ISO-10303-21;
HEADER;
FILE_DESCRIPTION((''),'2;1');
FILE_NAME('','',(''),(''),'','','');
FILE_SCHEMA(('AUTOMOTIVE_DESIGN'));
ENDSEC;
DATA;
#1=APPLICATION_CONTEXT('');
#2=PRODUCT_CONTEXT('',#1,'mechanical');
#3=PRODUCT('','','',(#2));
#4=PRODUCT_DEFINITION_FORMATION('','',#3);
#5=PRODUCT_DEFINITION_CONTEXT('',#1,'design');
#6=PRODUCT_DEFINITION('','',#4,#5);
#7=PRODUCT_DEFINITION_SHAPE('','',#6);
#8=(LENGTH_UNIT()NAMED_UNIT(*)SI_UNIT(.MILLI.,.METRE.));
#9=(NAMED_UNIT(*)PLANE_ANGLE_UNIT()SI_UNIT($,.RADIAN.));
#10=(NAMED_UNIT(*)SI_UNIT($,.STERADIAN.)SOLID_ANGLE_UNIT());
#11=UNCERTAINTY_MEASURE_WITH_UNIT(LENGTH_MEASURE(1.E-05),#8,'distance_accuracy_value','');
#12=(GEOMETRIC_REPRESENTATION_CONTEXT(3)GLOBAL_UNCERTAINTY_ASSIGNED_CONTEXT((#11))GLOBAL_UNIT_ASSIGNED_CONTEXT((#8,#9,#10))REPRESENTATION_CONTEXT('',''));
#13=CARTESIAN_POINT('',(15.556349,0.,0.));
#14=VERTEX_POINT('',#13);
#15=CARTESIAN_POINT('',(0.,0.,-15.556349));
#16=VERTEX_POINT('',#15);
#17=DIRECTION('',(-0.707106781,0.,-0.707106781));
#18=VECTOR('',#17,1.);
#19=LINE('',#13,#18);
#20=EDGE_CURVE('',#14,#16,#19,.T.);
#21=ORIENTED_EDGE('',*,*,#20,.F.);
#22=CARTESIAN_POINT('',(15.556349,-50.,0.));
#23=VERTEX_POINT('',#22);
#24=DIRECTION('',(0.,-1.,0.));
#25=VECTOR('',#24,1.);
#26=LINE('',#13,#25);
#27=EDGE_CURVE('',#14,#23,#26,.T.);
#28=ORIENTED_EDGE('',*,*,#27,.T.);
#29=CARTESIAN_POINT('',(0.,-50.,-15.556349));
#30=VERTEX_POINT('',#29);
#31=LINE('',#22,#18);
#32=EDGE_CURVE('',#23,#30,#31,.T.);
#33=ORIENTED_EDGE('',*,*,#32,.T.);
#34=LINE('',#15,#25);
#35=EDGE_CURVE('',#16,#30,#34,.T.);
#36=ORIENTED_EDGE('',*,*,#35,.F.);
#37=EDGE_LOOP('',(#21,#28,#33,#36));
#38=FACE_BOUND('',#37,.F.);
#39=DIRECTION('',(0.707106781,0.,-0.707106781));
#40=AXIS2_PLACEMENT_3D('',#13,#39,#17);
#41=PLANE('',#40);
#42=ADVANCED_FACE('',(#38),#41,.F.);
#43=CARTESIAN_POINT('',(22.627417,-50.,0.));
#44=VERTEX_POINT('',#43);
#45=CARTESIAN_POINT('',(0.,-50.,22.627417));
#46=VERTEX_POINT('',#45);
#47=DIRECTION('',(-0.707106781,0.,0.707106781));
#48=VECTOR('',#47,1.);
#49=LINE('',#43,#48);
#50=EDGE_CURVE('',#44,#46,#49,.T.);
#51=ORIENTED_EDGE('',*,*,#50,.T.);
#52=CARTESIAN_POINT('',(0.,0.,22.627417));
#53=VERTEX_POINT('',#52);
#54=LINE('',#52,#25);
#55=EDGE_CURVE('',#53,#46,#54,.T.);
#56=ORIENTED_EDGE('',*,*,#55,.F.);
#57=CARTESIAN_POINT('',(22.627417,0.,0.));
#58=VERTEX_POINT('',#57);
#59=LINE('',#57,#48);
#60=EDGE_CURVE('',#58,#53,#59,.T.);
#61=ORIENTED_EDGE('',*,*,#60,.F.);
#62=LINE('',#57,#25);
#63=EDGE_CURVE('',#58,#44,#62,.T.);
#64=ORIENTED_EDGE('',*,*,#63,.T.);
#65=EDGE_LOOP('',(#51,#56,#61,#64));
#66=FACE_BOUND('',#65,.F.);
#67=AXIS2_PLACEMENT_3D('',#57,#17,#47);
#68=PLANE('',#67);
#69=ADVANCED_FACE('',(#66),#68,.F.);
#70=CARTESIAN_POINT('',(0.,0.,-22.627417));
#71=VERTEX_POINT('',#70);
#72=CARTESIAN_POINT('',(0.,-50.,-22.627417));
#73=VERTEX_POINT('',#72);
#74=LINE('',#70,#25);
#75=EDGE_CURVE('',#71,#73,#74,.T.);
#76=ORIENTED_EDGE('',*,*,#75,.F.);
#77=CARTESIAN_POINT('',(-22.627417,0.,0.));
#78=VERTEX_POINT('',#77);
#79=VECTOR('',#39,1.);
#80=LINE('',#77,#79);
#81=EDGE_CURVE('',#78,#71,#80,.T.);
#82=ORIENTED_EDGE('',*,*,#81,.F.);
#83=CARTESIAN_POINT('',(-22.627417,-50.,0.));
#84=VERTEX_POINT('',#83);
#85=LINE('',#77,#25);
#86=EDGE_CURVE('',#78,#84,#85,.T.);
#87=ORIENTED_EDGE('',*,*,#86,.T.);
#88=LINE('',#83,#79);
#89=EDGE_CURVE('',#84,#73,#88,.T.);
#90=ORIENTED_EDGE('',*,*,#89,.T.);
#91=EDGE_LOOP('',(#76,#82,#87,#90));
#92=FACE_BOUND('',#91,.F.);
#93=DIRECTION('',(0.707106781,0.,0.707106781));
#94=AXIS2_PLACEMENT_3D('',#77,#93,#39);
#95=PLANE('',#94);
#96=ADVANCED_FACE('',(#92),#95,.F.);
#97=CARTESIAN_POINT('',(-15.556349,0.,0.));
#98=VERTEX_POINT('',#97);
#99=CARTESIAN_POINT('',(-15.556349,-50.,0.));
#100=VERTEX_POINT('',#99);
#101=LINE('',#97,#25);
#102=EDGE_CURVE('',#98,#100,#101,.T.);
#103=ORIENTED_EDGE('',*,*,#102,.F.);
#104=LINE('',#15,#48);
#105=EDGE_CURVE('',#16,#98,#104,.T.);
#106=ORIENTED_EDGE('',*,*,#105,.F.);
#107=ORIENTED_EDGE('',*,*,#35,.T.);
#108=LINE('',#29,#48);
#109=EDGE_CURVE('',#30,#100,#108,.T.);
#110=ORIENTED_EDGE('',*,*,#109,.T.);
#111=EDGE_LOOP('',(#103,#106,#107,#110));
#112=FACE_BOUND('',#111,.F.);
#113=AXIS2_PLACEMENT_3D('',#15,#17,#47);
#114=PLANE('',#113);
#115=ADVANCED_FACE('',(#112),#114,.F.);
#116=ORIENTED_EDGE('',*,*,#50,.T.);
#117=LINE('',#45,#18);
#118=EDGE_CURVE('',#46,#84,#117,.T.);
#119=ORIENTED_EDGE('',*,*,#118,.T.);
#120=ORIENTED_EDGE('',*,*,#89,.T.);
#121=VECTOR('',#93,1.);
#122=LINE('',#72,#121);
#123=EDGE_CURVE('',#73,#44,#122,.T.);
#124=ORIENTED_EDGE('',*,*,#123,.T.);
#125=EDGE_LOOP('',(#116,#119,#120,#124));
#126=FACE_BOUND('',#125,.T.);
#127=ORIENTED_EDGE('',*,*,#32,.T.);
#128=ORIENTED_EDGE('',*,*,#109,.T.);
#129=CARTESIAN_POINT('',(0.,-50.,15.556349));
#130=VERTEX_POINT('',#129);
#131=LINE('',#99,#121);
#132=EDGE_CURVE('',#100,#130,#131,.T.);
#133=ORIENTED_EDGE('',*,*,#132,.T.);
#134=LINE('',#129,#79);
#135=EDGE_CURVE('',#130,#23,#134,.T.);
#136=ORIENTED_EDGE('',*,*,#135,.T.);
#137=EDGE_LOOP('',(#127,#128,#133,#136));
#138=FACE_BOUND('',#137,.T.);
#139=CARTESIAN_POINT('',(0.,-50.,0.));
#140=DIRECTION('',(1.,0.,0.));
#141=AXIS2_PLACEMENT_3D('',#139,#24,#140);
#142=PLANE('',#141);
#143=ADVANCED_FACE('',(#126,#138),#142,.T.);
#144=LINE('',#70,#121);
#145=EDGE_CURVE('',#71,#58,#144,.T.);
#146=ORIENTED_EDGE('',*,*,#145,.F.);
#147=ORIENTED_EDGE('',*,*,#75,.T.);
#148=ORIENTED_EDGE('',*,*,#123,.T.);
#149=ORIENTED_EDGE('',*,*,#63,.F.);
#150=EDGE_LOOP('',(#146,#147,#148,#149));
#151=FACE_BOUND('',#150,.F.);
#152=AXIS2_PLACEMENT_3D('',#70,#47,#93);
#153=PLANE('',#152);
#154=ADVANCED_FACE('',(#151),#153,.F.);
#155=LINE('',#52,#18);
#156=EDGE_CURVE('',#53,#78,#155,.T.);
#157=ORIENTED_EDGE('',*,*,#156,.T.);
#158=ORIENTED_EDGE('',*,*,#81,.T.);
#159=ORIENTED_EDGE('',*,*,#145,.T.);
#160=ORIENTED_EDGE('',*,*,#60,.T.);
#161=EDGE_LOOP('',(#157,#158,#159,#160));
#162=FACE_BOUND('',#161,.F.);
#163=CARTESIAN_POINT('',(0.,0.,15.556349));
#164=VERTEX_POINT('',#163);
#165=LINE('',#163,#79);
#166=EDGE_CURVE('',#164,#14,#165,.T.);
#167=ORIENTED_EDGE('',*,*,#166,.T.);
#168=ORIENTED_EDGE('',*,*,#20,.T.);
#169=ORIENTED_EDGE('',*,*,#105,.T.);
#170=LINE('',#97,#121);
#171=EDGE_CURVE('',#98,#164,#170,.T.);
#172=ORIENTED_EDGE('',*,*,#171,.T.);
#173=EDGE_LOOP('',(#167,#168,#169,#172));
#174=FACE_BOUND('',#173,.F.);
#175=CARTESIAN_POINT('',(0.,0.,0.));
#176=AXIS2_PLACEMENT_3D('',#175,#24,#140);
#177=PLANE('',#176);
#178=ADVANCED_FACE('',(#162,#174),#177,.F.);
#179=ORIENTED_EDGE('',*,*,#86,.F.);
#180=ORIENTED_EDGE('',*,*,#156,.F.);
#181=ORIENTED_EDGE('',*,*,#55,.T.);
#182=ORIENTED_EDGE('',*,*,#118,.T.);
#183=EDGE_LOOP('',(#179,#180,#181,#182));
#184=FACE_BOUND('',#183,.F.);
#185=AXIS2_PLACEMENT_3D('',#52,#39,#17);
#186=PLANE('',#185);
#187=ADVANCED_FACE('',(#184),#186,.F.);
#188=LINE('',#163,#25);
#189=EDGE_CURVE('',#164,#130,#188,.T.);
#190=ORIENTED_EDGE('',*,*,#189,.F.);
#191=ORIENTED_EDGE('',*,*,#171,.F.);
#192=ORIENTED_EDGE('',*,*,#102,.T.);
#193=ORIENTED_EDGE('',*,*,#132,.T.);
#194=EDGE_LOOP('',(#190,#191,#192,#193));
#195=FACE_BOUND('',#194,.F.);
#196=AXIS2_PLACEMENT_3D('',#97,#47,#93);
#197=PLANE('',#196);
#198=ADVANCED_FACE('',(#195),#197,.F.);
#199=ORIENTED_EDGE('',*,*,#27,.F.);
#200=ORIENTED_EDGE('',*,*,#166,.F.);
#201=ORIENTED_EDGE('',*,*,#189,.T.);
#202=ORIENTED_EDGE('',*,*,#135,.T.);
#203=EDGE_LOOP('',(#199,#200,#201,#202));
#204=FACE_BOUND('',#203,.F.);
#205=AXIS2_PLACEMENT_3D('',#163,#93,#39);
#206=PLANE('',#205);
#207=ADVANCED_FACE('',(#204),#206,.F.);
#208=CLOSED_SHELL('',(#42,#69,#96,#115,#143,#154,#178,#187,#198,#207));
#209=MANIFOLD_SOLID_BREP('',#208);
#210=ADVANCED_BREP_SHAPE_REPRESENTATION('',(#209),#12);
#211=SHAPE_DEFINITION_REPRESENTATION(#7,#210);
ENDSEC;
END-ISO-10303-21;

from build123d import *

# Parameters (mm, degrees)
F1_DEPTH = 50


with BuildPart() as f1:
    # F0 (on Front) → F1 (new body)
    with BuildSketch(Plane.XZ):
        Polygon((0, 22.627417), (-22.627417, 0), (0, -22.627417), (22.627417, 0), align=None)
        Polygon((-15.556349, 0), (0, 15.556349), (15.556349, 0), (0, -15.556349), align=None, mode=Mode.SUBTRACT)
    extrude(amount=F1_DEPTH)


solid = f1.part
